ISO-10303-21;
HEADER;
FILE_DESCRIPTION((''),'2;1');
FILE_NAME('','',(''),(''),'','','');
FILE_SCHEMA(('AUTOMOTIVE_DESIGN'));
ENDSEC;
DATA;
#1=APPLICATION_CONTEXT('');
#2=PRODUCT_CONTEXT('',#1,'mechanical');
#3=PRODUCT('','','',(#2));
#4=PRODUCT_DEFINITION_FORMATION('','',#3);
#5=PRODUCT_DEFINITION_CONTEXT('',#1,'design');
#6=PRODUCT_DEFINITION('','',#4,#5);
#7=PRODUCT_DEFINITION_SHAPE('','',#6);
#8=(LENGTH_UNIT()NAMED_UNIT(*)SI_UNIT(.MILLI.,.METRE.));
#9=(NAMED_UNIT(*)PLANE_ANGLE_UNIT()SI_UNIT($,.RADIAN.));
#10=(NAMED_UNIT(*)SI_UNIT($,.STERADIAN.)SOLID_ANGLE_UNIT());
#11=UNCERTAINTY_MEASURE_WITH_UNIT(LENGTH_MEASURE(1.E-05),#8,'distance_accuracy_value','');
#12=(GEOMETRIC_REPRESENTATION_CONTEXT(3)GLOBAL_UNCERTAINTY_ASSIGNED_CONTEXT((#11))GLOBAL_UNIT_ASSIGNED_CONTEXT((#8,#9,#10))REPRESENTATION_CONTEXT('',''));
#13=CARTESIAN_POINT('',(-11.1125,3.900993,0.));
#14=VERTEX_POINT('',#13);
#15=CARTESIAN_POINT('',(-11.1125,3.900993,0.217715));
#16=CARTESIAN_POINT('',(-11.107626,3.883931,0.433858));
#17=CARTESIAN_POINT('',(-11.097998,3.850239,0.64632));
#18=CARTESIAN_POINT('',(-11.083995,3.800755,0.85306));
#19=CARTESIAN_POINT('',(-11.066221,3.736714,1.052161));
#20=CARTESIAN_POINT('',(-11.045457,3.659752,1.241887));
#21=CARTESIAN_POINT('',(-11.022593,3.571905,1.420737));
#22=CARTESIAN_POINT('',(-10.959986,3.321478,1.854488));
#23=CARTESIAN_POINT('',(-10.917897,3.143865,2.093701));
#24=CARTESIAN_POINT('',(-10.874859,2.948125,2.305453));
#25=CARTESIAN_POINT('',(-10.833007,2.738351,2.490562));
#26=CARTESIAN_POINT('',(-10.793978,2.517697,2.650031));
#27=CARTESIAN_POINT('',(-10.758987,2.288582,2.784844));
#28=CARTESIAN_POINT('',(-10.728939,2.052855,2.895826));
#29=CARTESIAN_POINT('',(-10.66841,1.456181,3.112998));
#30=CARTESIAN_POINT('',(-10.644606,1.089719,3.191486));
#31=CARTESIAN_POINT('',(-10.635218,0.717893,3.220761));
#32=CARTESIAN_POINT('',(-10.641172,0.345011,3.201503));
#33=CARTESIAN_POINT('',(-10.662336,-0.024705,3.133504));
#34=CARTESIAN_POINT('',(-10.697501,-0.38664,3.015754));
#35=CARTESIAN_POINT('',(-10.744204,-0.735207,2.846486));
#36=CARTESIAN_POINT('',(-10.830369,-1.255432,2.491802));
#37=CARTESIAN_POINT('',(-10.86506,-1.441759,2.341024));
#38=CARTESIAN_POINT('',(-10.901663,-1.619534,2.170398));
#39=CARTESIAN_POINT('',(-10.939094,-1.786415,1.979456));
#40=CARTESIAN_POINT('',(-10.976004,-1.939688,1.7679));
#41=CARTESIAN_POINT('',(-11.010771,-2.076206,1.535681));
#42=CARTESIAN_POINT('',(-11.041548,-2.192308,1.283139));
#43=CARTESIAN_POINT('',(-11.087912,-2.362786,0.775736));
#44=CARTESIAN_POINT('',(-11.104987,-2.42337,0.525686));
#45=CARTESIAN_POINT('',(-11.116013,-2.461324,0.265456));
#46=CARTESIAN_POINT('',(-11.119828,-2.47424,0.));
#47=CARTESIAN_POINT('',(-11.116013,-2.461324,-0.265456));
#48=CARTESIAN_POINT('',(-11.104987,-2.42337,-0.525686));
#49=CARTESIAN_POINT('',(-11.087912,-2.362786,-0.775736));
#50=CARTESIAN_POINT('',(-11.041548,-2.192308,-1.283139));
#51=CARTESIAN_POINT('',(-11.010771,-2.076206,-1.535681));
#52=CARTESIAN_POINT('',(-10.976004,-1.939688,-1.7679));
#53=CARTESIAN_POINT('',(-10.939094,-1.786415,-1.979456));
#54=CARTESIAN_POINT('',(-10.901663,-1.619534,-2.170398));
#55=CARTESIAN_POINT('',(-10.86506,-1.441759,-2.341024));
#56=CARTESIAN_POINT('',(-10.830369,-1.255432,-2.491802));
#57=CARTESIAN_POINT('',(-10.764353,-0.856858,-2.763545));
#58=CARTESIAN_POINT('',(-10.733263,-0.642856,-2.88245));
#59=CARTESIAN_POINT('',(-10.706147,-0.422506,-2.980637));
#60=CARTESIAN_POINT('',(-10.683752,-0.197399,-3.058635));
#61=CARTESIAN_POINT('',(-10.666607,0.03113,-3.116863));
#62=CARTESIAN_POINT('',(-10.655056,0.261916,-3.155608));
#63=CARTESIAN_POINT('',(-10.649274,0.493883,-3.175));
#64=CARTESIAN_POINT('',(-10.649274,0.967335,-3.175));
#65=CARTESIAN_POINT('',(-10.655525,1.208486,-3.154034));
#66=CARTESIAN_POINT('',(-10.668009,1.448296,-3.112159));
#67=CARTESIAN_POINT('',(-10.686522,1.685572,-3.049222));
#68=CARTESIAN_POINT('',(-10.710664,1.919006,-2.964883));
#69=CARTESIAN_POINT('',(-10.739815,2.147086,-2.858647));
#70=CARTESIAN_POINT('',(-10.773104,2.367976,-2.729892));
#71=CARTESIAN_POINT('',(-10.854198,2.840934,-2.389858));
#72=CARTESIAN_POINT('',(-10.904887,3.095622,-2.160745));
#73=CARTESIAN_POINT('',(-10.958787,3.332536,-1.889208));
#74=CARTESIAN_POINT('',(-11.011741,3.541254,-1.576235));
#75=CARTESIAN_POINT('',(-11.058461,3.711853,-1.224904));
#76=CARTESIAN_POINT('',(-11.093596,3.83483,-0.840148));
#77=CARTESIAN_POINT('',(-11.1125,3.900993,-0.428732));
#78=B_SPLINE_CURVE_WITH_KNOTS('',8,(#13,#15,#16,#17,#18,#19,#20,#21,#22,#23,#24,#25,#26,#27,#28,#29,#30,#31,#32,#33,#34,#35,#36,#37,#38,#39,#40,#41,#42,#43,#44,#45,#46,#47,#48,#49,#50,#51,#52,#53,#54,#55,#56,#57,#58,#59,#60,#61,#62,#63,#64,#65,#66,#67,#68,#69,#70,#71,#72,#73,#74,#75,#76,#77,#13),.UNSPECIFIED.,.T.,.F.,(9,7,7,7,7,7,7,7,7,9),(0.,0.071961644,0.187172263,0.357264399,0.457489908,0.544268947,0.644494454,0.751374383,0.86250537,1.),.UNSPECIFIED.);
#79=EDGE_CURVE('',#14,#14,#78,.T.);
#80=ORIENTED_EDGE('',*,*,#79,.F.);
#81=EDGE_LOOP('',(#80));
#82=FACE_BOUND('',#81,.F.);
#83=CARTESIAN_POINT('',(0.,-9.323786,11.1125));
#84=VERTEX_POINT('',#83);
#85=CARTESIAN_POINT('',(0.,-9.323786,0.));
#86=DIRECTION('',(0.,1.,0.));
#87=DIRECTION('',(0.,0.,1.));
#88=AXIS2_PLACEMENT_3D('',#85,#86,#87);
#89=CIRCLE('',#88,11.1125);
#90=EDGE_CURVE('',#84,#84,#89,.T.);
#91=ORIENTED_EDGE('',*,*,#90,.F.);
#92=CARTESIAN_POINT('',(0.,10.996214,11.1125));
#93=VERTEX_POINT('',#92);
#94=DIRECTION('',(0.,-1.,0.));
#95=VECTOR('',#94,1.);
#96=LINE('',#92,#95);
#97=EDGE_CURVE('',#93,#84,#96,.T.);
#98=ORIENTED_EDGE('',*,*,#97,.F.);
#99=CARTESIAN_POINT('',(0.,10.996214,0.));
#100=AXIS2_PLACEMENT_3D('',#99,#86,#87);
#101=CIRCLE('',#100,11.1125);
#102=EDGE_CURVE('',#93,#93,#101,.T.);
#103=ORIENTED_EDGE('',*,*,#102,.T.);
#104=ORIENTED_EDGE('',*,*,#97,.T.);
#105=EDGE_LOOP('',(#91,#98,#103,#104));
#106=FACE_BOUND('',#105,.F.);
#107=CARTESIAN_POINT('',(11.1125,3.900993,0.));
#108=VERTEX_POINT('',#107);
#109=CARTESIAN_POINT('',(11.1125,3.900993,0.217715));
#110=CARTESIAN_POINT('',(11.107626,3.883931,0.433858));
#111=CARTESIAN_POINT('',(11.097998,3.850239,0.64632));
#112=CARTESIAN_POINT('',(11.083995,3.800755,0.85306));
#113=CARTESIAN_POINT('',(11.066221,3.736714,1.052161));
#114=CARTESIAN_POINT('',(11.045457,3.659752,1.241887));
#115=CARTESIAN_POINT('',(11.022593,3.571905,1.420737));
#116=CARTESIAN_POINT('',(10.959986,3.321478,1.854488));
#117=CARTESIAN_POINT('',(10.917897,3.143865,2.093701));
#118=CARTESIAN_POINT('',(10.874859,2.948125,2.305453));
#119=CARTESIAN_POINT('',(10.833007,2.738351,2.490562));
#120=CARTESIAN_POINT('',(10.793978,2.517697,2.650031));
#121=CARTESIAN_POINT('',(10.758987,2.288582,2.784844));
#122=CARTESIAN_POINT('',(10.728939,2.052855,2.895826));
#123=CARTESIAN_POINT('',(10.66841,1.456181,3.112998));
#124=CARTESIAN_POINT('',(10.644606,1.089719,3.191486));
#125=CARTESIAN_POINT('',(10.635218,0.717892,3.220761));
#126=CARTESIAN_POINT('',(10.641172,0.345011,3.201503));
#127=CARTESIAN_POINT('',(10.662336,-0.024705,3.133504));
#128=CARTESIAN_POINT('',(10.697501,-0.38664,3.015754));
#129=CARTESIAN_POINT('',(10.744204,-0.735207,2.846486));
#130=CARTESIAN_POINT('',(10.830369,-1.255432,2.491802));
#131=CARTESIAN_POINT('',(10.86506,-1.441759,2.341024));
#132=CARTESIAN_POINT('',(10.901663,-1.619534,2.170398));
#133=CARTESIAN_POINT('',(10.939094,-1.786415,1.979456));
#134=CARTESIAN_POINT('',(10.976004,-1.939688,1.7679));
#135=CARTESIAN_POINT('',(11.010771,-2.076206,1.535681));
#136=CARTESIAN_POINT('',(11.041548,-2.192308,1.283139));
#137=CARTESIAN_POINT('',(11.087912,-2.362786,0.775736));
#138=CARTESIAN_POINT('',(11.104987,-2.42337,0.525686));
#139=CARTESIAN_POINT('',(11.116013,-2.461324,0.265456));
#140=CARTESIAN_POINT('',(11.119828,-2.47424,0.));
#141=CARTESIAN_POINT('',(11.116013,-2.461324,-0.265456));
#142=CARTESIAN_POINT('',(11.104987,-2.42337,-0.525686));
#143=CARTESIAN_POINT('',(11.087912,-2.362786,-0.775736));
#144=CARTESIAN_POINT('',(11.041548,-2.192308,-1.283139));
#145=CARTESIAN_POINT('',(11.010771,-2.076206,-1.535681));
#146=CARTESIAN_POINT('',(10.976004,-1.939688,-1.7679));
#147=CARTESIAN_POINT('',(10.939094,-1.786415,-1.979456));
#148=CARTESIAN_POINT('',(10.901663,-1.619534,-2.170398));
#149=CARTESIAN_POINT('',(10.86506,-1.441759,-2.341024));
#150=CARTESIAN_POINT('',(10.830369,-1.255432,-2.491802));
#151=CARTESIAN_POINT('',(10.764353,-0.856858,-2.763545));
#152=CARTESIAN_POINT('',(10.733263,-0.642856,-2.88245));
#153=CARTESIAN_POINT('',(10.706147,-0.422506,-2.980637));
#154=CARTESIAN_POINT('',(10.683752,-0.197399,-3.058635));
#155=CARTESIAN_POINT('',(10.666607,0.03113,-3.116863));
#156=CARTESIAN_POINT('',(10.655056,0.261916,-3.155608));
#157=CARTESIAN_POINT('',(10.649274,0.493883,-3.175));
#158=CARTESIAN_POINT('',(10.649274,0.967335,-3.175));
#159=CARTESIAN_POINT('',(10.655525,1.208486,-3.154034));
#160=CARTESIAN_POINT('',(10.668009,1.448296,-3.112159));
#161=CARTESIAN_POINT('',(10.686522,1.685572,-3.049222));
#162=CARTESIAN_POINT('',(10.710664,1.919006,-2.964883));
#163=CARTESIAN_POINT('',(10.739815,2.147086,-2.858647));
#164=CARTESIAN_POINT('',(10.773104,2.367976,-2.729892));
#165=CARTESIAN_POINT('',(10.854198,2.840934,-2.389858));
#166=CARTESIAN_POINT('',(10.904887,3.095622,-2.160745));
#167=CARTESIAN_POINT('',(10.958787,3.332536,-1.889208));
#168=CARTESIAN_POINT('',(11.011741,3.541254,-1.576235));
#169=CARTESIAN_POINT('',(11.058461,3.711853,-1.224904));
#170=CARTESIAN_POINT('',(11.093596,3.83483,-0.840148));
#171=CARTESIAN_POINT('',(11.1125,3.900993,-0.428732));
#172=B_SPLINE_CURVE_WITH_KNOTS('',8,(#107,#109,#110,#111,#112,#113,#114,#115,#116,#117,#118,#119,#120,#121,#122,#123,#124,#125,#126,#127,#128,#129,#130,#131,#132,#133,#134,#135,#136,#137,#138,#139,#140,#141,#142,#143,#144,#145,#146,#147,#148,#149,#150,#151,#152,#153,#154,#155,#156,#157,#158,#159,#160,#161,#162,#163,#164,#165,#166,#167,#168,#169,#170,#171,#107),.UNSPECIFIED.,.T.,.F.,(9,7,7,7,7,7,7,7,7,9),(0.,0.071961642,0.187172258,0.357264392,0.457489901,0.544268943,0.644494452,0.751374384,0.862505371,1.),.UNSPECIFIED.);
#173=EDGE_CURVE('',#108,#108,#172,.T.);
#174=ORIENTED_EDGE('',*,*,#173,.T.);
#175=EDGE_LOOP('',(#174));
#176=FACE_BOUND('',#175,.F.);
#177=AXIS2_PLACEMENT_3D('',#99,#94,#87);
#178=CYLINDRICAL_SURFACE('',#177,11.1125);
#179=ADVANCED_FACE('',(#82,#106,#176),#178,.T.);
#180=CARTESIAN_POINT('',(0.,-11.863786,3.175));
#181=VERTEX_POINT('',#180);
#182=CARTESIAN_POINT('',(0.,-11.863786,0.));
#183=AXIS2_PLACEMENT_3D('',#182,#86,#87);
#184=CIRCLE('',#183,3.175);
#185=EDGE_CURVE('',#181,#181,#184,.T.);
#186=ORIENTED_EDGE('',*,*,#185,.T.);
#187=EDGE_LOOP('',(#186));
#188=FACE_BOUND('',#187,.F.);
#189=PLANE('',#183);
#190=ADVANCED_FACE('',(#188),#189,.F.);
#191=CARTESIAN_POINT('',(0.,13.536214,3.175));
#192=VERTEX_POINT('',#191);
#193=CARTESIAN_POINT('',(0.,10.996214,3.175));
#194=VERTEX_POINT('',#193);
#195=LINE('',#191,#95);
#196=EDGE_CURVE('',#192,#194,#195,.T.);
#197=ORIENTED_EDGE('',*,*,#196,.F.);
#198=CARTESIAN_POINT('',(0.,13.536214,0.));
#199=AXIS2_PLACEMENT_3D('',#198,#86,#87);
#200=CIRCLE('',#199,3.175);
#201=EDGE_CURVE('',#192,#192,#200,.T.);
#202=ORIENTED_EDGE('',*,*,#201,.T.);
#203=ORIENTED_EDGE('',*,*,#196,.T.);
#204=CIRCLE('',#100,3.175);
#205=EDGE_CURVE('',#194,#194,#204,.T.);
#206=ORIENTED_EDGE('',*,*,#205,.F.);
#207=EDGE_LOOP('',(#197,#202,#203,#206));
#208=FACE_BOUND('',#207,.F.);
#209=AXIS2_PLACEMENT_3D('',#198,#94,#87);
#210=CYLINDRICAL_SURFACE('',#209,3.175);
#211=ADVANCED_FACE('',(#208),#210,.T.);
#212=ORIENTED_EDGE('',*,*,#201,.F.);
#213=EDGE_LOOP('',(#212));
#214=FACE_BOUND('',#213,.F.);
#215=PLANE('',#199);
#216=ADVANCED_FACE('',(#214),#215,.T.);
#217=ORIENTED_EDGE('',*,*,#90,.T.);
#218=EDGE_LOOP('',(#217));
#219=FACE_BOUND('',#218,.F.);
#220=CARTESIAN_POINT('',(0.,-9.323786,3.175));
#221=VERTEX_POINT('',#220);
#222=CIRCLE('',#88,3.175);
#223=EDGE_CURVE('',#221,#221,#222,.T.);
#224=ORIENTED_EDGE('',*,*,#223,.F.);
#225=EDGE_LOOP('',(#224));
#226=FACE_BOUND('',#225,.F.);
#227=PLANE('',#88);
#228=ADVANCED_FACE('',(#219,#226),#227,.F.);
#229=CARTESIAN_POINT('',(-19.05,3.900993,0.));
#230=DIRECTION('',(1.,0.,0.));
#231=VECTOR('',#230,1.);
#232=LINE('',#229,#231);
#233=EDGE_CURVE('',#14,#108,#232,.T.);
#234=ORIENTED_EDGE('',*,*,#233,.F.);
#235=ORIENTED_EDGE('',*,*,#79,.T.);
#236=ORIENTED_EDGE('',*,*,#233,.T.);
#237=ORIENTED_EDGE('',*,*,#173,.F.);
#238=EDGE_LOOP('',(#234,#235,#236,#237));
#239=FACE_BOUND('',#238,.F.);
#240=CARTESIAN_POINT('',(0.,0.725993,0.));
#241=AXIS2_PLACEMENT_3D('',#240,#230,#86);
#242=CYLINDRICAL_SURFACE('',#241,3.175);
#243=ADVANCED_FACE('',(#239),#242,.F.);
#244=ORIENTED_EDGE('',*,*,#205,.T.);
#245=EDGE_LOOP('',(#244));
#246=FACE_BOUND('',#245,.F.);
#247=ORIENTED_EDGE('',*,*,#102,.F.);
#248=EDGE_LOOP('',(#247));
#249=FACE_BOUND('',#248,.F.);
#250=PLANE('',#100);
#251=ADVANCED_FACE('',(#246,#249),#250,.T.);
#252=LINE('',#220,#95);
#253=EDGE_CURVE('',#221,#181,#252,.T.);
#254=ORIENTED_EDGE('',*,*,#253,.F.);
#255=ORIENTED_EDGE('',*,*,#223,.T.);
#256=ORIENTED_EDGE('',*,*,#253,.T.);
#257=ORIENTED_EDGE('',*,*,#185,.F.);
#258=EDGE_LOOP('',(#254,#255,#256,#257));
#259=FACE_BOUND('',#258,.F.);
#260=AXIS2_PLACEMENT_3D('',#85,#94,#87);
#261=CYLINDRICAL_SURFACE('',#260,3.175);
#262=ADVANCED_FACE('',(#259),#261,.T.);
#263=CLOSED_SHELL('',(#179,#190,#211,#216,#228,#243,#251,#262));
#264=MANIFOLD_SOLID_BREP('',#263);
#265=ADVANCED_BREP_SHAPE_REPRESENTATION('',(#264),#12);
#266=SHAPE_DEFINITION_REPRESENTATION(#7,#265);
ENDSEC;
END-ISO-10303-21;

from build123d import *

# Parameters (mm, degrees)
F2_R     = 3.175
F3_DEPTH = 19.05


with BuildPart() as f1:
    # F0 (on Right) → F1 (revolve)
    with BuildSketch(Plane.YZ):
        Polygon((-11.863786, 3.175), (-11.863786, 0), (13.536214, 0), (13.536214, 3.175), (10.996214, 3.175), (10.996214, 11.1125), (-9.323786, 11.1125), (-9.323786, 3.175), align=None)
    revolve(axis=Axis((0, 2.995029, 0), (0, 1, 0)))

    # F2 (on Right) → F3 (cut, symmetric)
    with BuildSketch(Plane.YZ):
        with Locations((0.725993, 0)):
            Circle(F2_R)
    extrude(amount=F3_DEPTH, both=True, mode=Mode.SUBTRACT)


solid = f1.part
